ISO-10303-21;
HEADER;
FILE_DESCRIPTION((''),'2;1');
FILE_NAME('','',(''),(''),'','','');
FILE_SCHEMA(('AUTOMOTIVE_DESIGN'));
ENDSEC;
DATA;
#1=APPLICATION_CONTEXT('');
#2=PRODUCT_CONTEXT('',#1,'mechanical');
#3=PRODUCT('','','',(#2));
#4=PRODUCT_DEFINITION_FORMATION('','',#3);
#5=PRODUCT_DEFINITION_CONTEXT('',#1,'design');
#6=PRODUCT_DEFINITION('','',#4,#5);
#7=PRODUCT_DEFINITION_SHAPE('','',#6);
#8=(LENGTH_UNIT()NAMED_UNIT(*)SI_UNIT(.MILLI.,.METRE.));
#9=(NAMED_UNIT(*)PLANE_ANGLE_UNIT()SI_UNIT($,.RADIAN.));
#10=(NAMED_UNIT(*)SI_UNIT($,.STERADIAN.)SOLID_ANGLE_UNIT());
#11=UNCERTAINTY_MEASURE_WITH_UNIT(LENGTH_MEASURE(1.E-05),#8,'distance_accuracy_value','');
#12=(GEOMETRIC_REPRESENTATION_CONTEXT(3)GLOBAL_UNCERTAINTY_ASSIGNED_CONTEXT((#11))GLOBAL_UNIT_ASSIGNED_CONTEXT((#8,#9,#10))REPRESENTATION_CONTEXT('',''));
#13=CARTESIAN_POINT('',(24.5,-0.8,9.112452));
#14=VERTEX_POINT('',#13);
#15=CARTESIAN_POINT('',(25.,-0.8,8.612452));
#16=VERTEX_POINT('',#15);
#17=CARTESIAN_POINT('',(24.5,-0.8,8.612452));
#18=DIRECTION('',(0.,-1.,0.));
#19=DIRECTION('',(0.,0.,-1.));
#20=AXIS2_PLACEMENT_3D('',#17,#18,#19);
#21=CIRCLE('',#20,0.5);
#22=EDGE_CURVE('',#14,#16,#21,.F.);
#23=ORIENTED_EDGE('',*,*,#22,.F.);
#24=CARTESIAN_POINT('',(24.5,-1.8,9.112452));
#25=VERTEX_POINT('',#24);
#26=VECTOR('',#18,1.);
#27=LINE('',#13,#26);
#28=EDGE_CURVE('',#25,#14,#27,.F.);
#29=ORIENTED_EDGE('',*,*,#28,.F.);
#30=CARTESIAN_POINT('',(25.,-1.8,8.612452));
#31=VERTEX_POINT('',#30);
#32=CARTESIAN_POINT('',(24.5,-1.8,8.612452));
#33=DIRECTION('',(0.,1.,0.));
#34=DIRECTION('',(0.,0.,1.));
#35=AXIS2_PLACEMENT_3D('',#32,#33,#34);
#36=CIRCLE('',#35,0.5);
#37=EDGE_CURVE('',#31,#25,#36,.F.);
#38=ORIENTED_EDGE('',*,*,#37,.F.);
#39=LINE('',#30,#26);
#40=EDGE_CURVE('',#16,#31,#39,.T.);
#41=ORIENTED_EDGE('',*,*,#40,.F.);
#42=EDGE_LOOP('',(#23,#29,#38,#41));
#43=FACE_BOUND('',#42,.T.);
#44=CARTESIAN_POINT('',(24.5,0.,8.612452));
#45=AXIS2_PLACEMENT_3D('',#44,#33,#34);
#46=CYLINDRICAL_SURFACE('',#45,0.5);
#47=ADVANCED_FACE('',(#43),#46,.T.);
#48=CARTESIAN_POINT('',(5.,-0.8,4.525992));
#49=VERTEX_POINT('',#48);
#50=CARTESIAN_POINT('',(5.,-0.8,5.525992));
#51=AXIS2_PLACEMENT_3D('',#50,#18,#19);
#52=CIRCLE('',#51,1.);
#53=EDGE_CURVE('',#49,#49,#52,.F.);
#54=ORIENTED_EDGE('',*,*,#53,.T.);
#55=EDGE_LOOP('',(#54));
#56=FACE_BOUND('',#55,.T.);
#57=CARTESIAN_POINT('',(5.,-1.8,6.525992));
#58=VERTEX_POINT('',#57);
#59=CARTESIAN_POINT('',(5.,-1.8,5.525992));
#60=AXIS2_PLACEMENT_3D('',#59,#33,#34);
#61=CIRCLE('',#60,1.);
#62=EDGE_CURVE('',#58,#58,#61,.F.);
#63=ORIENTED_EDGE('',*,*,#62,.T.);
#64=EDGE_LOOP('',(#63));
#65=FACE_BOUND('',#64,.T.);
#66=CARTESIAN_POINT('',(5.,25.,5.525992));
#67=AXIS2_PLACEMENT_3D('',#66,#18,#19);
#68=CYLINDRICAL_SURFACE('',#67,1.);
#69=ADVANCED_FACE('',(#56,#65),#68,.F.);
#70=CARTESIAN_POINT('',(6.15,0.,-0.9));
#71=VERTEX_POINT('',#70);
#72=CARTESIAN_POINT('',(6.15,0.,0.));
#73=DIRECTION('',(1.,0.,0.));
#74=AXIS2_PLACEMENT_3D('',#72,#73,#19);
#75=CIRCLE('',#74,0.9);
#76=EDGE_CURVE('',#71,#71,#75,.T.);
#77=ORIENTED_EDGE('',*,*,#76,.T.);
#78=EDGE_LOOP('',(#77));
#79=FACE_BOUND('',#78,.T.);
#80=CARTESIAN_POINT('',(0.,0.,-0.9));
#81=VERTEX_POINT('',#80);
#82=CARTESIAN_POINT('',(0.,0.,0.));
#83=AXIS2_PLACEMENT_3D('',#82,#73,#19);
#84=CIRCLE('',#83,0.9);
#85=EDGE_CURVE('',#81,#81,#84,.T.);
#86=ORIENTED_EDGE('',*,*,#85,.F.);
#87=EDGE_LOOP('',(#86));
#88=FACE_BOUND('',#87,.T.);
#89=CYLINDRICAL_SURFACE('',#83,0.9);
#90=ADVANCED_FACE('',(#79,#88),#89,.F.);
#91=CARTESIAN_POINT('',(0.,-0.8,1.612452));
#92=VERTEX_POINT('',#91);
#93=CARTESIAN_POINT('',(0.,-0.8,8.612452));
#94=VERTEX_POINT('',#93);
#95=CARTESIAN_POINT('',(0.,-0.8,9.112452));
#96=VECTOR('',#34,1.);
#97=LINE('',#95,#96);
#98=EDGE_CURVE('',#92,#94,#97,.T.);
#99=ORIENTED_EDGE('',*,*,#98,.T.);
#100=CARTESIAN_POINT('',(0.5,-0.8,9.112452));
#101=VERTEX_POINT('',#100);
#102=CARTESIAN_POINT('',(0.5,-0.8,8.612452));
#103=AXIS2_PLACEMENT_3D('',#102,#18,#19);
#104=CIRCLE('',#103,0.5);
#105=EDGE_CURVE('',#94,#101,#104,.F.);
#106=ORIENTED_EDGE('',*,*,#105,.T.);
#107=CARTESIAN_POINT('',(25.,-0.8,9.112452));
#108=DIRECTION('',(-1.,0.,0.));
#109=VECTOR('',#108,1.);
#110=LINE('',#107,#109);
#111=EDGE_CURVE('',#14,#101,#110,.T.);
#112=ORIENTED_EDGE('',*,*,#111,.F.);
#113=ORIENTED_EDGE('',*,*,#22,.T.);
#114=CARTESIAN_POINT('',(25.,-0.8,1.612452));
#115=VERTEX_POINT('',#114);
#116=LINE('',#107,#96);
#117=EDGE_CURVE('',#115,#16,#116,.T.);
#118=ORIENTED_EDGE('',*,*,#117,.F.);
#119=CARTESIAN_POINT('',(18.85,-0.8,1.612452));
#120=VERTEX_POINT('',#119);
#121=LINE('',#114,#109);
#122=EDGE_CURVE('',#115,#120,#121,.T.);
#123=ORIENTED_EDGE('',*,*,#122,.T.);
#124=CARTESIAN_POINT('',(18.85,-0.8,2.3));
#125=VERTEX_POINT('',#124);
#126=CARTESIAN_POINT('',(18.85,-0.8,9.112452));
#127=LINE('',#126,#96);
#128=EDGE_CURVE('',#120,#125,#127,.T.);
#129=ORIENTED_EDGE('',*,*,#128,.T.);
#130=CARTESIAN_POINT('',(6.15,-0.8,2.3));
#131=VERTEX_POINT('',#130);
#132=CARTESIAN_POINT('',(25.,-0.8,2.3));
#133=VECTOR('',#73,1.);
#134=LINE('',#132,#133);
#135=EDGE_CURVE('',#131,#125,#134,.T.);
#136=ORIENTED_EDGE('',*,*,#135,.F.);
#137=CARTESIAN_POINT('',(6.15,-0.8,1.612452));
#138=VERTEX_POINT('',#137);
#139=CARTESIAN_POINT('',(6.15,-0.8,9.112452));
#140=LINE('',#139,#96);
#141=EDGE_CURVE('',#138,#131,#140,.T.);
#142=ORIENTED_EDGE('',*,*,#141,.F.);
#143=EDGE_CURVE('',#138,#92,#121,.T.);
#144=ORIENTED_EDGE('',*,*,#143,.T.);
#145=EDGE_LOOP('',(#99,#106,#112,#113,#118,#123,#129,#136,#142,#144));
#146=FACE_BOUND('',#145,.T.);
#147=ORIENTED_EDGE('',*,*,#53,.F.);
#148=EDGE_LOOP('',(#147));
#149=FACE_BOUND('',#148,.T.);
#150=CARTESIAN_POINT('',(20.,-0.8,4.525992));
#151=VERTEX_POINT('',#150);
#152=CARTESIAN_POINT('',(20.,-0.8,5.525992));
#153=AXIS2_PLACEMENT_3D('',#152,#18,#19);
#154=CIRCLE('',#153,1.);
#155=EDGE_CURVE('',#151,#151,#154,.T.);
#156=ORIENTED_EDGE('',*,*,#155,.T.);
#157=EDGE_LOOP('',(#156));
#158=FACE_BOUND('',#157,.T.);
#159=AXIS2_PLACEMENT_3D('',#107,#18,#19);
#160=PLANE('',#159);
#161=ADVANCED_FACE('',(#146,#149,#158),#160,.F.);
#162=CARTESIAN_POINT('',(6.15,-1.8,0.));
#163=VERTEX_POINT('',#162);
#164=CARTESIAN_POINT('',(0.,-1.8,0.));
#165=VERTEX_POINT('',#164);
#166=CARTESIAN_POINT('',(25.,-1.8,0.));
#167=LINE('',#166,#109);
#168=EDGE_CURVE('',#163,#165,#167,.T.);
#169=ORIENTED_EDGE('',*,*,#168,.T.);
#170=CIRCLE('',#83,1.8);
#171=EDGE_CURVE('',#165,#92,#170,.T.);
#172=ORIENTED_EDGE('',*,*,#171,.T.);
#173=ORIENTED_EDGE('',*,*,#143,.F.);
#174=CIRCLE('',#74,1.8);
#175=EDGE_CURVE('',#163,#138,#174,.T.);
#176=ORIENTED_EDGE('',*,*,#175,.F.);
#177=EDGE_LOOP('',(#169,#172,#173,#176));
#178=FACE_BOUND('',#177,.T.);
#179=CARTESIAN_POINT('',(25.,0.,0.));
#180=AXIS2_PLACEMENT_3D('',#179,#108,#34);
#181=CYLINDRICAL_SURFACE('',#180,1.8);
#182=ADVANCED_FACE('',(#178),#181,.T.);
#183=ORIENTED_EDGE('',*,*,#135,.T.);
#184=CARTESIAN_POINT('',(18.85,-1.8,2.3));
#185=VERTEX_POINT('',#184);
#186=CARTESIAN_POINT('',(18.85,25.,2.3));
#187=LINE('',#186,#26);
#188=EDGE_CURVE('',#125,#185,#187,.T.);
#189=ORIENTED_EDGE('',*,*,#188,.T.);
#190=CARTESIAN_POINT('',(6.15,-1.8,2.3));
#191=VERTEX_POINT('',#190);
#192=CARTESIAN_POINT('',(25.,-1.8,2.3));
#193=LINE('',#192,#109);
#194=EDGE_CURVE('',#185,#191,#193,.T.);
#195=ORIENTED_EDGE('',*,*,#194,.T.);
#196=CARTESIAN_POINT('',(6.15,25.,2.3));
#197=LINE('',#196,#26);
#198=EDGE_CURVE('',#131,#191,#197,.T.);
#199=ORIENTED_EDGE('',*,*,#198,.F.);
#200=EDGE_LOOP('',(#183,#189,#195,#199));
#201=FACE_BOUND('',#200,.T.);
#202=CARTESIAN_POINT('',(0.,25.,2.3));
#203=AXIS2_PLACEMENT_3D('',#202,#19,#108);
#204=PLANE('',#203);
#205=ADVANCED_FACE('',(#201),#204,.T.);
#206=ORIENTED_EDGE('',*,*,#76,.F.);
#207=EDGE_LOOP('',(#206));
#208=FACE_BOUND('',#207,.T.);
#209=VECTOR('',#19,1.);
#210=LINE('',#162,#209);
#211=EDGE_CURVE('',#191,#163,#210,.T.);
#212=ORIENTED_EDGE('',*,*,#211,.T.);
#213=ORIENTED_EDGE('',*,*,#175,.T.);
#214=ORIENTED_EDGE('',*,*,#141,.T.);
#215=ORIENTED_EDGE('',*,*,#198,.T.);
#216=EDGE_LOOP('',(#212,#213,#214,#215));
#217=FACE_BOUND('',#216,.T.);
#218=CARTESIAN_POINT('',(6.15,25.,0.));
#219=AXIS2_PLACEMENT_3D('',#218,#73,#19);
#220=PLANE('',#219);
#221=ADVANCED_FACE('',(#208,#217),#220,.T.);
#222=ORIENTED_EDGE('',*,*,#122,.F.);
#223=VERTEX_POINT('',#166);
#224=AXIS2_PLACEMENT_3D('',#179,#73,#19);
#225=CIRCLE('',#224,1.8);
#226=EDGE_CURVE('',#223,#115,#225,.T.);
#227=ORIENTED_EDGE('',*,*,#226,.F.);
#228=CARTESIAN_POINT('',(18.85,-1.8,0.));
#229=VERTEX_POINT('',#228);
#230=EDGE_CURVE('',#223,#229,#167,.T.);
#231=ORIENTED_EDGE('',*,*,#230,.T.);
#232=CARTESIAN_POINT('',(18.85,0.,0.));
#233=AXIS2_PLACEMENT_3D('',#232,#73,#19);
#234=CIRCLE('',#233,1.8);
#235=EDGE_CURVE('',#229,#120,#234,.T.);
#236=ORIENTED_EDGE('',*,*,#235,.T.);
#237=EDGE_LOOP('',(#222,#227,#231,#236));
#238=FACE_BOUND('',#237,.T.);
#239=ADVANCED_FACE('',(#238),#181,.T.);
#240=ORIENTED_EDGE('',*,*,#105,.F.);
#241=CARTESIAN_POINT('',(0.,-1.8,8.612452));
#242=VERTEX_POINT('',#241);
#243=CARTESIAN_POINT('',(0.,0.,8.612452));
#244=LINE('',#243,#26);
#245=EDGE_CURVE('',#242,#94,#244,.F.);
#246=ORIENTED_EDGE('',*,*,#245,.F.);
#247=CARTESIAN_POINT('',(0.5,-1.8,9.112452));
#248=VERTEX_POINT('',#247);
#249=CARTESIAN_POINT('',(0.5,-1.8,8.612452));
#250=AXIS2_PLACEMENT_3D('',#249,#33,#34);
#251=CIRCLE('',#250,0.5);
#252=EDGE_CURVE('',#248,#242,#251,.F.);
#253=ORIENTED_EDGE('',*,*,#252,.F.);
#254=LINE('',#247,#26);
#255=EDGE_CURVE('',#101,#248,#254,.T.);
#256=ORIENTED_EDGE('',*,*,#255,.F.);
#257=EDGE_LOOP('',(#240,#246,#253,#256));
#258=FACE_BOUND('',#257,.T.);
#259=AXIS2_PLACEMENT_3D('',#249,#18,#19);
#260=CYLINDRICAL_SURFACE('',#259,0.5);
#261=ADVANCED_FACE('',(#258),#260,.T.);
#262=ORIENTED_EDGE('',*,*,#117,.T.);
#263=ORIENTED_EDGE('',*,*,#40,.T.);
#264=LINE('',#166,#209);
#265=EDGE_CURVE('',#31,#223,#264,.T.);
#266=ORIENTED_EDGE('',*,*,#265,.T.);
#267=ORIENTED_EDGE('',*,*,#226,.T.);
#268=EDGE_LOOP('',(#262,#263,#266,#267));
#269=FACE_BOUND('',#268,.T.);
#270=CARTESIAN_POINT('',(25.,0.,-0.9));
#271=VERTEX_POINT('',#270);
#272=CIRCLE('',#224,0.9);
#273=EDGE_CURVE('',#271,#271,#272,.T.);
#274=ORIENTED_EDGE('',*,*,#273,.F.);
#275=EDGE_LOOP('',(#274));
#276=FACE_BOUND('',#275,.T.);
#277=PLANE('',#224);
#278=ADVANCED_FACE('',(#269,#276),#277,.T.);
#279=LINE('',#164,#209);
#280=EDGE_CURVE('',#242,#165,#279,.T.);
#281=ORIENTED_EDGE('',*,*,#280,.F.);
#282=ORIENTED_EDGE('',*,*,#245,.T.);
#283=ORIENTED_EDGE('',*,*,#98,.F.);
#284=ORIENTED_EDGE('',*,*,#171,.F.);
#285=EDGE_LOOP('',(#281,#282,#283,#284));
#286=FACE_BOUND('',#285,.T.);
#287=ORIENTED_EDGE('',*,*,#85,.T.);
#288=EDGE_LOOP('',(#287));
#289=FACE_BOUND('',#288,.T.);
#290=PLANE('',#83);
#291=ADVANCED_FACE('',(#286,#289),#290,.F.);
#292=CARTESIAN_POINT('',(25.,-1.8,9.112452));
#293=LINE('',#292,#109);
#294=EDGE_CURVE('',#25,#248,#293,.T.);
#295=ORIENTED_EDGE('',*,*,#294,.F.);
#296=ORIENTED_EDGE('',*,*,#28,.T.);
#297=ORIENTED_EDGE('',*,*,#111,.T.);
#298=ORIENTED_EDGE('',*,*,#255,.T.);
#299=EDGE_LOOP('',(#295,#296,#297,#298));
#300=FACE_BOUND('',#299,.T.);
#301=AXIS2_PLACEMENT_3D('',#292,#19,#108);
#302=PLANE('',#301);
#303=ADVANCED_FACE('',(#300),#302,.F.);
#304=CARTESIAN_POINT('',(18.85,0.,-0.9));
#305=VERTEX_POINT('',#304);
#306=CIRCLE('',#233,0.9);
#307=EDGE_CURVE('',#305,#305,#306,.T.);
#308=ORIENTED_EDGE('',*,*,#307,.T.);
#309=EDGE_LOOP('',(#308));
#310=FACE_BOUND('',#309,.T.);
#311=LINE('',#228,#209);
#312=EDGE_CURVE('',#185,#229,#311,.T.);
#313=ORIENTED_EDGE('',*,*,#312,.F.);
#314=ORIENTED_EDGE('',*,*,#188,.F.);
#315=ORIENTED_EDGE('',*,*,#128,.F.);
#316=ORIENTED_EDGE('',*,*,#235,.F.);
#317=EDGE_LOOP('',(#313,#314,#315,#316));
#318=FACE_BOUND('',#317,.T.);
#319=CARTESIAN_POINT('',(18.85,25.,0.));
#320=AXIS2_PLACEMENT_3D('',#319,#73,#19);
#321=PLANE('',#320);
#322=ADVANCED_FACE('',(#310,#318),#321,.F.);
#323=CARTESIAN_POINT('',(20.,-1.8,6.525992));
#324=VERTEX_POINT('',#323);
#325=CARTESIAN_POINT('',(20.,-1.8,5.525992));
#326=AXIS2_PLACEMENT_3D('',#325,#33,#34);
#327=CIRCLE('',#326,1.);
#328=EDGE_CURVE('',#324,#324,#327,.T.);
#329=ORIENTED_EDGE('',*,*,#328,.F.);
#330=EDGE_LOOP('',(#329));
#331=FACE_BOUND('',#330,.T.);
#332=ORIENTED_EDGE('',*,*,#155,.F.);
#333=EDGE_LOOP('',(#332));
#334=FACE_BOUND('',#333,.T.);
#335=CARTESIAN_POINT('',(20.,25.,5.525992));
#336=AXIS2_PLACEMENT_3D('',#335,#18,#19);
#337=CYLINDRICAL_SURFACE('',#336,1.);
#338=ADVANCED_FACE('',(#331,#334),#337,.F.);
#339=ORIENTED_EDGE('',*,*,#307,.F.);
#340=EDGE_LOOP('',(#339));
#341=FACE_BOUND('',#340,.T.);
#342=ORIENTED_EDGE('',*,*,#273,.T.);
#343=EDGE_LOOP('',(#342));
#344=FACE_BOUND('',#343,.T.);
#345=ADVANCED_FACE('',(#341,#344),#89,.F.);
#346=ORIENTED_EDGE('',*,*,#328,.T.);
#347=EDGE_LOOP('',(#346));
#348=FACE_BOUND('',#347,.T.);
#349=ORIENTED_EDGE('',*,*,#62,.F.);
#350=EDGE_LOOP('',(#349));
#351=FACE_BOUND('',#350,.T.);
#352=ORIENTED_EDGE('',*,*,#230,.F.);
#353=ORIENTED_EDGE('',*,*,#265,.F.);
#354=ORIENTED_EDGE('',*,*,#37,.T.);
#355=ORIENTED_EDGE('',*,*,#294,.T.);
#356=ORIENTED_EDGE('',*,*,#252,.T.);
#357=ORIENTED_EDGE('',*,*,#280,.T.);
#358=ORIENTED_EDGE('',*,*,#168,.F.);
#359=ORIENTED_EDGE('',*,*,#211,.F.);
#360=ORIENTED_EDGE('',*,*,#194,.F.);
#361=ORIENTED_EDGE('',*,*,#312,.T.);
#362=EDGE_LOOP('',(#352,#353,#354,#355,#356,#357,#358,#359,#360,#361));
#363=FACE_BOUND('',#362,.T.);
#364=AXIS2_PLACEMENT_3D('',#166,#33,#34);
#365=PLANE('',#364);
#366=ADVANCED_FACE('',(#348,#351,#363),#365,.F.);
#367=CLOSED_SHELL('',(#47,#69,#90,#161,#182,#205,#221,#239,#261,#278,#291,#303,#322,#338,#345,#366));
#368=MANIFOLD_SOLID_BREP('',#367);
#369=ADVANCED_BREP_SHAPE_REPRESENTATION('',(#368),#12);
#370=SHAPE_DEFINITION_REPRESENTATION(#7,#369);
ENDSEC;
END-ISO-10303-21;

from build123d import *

# Parameters (mm, degrees)
BOSS_EXTRUDE1_DEPTH     = 25
CUT_EXTRUDE1_DEPTH      = 25
CUT_EXTRUDE1_DEPTH_BACK = 25
SKETCH4_R               = 0.9
CUT_EXTRUDE2_DEPTH      = 25
FILLET1_R               = 0.5
CUT_EXTRUDE3_DEPTH      = 25
CUT_EXTRUDE3_DEPTH_BACK = 25
SKETCH5_R               = 1


with BuildPart() as part:
    # Sketch2 → Boss-Extrude1 (new body)
    with BuildSketch(Plane(origin=(0, 0, 0), x_dir=(0, 0, -1), z_dir=(1, 0, 0))):
        with BuildLine():
            Line((0, -1.8), (-9.11245155, -1.8))
            Line((-9.11245155, -1.8), (-9.11245155, -0.8))
            Line((-9.11245155, -0.8), (-1.61245155, -0.8))
            ThreePointArc((-1.61245155, -0.8), (0.948683298, 1.529705854), (0, -1.8))
        make_face()
    extrude(amount=BOSS_EXTRUDE1_DEPTH)

    # Sketch3 → Cut-Extrude1 (cut, two sides: drawn at the far end of the back side and taken through both)
    with BuildSketch(Plane(origin=(0, 0, 0), x_dir=(1, 0, 0), z_dir=(0, 1, 0)).offset(-CUT_EXTRUDE1_DEPTH_BACK)):
        Polygon((18.85, 2.515210703), (6.15, 2.515210703), (6.15, -2.3), (12.5, -2.3), (18.85, -2.3), align=None)
    extrude(amount=CUT_EXTRUDE1_DEPTH + CUT_EXTRUDE1_DEPTH_BACK, mode=Mode.SUBTRACT)

    # Sketch4 → Cut-Extrude2 (cut)
    with BuildSketch(Plane(origin=(25, 0, 0), x_dir=(0, 0, -1), z_dir=(1, 0, 0))):
        Circle(SKETCH4_R)
    extrude(amount=-CUT_EXTRUDE2_DEPTH, mode=Mode.SUBTRACT)

    # Fillet1
    fillet1_edges = [part.edges().sort_by_distance(p)[0] for p in [
        (0, -1.3, 9.11245155),
        (25, -1.3, 9.11245155),
    ]]
    fillet(fillet1_edges, radius=FILLET1_R)

    # Sketch5 → Cut-Extrude3 (cut, two sides: drawn at the far end of the back side and taken through both)
    with BuildSketch(Plane(origin=(0, 0, 0), x_dir=(1, 0, 0), z_dir=(0, 1, 0)).offset(-CUT_EXTRUDE3_DEPTH_BACK)):
        with Locations((5, -5.525991782)):
            Circle(SKETCH5_R)
        with Locations((20, -5.525991782)):
            Circle(SKETCH5_R)
    extrude(amount=CUT_EXTRUDE3_DEPTH + CUT_EXTRUDE3_DEPTH_BACK, mode=Mode.SUBTRACT)


solid = part.part
